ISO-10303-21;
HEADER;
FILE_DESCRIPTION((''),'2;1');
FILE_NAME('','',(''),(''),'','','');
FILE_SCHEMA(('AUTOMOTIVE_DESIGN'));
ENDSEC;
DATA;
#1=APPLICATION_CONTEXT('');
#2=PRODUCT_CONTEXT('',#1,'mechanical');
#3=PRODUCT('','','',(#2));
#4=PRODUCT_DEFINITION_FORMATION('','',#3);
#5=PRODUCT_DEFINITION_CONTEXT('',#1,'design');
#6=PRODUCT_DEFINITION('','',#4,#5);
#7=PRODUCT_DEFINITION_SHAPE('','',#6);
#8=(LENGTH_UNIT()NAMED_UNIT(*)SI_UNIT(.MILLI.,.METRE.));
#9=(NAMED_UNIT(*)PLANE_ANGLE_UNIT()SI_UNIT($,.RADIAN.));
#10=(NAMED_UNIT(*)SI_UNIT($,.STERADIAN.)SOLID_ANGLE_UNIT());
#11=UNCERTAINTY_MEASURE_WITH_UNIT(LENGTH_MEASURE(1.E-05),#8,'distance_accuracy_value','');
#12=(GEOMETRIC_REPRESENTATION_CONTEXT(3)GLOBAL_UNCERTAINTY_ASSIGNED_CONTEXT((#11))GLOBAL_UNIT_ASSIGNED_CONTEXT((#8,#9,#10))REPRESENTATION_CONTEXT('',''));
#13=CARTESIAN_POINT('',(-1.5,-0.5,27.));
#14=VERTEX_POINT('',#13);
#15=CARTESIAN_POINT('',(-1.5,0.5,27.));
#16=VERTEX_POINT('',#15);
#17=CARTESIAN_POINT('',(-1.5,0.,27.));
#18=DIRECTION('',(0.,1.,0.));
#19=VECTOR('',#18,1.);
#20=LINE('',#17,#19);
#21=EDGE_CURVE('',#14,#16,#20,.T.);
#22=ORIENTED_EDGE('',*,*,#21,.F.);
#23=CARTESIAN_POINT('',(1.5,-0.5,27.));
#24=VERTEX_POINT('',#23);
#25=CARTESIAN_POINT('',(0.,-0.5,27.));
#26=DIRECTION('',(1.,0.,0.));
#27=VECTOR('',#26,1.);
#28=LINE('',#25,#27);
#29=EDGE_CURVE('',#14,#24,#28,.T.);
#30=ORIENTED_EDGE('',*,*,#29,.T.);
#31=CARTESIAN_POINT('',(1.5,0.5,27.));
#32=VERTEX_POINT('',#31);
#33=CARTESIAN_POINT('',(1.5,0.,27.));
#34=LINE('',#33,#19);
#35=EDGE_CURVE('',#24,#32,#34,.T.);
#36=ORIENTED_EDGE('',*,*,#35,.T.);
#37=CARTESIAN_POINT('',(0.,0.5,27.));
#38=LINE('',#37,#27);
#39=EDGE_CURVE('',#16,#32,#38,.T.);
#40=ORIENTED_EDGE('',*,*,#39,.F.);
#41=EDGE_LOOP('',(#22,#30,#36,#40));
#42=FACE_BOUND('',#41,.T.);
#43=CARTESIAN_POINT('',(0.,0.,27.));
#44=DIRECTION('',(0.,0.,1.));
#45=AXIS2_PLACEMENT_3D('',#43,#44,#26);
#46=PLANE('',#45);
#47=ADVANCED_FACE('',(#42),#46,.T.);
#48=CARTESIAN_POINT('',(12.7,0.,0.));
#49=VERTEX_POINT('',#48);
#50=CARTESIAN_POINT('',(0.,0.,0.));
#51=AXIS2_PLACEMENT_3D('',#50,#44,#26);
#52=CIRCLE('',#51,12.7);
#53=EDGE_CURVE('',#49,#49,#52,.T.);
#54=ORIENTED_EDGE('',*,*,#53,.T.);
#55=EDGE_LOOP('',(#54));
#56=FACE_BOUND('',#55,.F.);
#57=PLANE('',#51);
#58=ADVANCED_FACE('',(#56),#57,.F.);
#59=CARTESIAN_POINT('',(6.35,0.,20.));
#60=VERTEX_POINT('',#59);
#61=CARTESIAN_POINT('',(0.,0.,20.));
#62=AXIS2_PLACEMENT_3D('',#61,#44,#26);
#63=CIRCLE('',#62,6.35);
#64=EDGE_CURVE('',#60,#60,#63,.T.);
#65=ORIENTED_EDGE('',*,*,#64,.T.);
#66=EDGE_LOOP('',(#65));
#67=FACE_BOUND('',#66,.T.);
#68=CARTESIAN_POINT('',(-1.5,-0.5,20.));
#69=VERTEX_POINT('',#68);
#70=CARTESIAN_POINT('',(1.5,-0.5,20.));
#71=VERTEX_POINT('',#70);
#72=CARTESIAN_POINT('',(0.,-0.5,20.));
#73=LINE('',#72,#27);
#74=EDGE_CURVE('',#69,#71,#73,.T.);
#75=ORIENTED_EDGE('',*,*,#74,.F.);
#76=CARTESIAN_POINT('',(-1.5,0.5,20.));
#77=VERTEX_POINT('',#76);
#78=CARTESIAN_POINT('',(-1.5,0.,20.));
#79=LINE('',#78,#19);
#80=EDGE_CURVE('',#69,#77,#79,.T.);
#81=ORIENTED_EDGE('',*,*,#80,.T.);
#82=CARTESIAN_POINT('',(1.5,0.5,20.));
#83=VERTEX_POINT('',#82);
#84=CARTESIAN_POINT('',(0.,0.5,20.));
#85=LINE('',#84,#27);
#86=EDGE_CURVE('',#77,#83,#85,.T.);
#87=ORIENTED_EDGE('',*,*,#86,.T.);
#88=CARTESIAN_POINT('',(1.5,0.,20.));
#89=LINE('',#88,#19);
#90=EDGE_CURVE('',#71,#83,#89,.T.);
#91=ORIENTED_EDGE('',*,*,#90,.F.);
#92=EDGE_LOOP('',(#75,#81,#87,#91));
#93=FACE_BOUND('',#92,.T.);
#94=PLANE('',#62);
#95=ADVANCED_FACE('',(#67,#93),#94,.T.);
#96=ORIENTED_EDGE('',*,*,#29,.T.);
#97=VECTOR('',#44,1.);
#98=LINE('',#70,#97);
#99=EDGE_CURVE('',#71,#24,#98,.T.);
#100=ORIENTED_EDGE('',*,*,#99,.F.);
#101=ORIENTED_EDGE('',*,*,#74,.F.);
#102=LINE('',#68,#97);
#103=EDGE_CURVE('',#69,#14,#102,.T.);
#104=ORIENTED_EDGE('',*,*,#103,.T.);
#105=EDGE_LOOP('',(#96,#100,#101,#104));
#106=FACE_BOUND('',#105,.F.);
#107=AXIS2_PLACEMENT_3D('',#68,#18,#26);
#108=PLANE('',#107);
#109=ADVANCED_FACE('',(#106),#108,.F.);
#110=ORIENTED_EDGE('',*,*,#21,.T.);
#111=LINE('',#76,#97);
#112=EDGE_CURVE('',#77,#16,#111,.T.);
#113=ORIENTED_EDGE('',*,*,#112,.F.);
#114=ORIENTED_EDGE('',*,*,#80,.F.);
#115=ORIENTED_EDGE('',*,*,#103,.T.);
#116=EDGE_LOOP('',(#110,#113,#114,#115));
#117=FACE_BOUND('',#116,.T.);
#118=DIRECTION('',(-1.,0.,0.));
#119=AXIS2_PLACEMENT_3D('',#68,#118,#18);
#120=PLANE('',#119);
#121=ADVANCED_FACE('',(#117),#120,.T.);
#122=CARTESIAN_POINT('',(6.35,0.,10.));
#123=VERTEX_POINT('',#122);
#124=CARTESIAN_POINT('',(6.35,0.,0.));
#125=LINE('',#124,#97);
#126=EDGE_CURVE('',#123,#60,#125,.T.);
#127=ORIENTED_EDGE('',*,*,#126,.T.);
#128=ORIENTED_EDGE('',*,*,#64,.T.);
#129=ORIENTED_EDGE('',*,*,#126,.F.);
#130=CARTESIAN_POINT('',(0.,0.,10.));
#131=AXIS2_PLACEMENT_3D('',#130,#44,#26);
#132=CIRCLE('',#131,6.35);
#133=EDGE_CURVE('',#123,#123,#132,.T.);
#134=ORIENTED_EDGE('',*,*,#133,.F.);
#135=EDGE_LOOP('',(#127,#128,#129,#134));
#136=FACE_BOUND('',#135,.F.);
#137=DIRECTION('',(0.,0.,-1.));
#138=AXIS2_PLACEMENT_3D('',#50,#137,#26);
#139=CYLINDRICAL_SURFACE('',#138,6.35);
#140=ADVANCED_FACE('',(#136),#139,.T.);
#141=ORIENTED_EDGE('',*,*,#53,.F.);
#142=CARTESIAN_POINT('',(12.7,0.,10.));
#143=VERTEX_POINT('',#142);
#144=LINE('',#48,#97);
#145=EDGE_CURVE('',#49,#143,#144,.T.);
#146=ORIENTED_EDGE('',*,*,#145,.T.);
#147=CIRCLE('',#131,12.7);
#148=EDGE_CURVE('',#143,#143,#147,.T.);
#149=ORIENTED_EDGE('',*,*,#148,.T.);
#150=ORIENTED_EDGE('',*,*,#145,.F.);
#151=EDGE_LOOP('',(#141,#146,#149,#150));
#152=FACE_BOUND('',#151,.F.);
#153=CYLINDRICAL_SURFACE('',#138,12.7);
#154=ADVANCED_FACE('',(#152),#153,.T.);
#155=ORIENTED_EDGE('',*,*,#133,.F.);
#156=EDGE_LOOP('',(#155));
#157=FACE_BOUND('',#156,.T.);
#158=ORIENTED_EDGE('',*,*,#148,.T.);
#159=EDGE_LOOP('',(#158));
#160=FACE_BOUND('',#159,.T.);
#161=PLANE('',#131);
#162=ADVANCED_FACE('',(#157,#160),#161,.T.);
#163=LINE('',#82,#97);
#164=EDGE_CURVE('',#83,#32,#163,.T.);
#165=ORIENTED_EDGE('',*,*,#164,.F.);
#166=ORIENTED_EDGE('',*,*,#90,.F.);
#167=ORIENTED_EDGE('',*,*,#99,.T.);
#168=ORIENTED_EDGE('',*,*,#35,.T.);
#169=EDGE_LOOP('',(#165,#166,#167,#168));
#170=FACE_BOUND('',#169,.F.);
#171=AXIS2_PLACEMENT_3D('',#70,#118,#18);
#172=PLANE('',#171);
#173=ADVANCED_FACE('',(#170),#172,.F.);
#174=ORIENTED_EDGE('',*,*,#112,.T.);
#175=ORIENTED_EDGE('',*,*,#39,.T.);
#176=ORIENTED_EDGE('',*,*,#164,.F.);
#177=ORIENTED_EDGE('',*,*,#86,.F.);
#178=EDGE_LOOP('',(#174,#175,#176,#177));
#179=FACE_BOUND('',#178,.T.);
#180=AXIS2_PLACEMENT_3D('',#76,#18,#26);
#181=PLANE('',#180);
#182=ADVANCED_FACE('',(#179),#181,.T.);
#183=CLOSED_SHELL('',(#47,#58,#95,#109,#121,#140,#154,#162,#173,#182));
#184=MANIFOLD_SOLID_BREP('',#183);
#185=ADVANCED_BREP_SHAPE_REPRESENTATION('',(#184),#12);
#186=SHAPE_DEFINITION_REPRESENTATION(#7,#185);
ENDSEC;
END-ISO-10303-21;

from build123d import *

# Parameters (mm, degrees)
F0_R     = 12.7
F0_R_2   = 6.35
F1_DEPTH = 10
F2_DEPTH = 20
F3_W     = 3
F3_H     = 1
F4_DEPTH = 7


with BuildPart() as f1:
    # F0 (on Top) → F1 (new body)
    with BuildSketch(Plane.XY):
        Circle(F0_R)
        Circle(F0_R_2, mode=Mode.SUBTRACT)
    extrude(amount=F1_DEPTH)

    # F0 (on Top) → F2 (join)
    with BuildSketch(Plane.XY):
        Circle(F0_R_2)
    extrude(amount=F2_DEPTH)

    # F3 (on face) → F4 (join)
    with BuildSketch(Plane.XY.offset(20)):
        Rectangle(F3_W, F3_H)
    extrude(amount=F4_DEPTH)


solid = f1.part
